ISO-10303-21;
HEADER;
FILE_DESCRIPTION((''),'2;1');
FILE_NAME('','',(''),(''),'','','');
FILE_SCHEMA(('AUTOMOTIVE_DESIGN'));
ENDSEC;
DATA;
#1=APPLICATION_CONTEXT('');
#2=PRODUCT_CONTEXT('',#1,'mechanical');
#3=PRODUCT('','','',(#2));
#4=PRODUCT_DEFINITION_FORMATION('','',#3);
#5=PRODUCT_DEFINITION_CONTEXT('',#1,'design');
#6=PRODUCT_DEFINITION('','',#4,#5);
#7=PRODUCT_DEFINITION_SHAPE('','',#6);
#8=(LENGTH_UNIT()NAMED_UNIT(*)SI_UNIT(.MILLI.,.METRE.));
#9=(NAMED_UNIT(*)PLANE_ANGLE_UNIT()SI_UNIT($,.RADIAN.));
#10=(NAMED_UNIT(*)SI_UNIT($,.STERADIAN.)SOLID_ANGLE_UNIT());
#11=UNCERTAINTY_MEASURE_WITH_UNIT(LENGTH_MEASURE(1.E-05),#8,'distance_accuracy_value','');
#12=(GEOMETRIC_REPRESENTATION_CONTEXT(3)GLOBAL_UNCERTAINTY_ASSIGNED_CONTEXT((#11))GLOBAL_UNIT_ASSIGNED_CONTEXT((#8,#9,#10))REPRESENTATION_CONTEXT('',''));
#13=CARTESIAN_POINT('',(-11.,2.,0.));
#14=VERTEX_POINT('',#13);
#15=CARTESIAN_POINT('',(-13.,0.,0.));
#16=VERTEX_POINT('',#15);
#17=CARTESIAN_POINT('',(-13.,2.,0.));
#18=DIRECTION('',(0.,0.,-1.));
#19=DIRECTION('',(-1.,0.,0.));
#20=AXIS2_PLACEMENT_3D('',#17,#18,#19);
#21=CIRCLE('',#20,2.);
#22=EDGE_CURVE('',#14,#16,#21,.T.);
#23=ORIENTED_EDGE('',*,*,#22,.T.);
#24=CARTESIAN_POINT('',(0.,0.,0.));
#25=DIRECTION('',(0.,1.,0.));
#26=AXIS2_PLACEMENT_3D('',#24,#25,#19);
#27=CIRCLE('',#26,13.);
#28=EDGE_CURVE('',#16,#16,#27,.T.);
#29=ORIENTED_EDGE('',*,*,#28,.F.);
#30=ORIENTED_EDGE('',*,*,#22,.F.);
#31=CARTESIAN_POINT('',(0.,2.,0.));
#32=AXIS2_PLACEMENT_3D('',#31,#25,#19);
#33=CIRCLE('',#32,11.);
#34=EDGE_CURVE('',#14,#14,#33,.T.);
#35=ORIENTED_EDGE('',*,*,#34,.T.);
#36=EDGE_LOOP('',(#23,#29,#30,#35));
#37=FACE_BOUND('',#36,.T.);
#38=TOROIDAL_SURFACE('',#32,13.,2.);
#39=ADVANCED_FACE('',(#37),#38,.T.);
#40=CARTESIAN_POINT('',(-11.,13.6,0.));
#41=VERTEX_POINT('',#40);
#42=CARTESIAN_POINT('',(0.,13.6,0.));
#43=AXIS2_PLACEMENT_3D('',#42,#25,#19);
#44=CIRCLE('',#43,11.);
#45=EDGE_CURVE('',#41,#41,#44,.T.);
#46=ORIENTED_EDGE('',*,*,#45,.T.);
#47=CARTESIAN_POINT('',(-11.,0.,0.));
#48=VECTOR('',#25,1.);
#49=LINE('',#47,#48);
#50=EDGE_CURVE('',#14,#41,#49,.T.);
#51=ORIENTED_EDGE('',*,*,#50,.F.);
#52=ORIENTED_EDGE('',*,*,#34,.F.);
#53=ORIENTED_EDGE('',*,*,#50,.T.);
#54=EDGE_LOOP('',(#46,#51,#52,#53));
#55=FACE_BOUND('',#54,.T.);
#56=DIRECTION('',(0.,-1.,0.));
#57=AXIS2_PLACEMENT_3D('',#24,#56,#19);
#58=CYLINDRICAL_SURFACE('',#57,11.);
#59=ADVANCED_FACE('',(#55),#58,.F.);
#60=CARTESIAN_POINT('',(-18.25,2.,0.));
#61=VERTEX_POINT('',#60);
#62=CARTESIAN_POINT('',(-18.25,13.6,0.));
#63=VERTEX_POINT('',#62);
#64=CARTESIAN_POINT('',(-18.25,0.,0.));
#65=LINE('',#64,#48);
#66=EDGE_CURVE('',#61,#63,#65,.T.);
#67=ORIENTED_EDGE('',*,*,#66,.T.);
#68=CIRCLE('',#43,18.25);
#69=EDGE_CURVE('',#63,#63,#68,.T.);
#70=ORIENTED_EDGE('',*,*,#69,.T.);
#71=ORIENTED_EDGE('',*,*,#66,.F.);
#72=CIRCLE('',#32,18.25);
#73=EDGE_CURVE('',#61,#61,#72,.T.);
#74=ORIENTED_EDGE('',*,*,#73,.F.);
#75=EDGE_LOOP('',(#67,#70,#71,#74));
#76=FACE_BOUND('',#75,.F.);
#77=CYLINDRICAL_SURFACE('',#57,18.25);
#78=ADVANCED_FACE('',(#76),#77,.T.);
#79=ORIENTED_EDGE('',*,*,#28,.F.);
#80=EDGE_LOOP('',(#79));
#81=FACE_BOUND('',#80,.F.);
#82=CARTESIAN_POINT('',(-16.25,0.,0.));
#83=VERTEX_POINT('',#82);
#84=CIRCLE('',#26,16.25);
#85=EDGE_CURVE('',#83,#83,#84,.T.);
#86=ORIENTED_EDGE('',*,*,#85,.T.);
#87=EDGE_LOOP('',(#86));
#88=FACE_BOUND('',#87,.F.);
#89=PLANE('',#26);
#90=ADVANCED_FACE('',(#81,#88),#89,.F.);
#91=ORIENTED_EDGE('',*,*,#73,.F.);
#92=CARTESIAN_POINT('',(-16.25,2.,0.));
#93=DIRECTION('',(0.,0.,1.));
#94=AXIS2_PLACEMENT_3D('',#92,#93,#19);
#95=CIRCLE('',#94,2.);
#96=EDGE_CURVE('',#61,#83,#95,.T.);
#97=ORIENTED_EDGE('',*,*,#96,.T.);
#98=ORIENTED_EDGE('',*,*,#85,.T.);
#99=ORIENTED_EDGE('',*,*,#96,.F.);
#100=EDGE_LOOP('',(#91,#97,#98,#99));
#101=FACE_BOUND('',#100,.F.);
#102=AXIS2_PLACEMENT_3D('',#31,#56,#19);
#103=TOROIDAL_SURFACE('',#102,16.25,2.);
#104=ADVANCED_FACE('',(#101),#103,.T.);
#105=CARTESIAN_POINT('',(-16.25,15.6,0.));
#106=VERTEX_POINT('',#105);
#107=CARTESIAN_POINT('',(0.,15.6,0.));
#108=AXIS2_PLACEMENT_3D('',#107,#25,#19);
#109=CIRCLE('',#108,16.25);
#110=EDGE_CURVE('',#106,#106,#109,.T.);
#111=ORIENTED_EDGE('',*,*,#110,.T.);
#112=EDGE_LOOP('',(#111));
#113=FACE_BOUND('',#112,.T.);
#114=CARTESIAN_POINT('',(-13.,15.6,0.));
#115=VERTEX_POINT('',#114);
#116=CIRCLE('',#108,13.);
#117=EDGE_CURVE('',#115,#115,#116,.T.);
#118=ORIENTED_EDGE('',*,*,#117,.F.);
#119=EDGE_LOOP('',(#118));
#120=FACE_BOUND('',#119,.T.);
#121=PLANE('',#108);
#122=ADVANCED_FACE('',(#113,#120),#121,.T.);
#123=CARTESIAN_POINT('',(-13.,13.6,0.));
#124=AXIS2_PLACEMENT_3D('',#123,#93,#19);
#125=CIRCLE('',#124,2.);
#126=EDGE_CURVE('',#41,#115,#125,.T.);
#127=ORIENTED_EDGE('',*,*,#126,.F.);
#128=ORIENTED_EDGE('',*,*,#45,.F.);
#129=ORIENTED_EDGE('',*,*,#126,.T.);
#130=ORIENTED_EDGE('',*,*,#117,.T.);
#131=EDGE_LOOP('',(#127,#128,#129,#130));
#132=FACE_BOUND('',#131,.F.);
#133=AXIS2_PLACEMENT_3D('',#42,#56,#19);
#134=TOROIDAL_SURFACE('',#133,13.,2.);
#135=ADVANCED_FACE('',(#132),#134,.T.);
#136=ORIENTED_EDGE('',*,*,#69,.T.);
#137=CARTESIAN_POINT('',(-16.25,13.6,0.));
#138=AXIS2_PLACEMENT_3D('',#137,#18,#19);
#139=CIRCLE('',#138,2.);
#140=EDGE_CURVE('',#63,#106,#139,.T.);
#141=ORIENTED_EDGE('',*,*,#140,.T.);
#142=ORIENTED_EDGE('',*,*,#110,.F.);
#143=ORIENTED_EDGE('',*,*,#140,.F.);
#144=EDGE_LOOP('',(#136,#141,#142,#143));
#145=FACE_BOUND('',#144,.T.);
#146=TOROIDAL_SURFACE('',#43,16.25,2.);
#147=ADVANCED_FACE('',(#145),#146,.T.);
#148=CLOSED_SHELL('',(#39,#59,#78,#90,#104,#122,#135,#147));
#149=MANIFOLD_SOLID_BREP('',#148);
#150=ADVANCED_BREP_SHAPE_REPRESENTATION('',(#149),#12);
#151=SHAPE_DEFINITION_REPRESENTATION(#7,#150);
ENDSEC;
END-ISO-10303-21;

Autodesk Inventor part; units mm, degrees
ref_plane "YZ Plane" through (0, 0, 0) normal (1, 0, 0) x (0, 1, 0)
ref_plane "XZ Plane" through (0, 0, 0) normal (0, 1, 0) x (-1, 0, 0)
ref_plane "XY Plane" through (0, 0, 0) normal (0, 0, 1) x (1, 0, 0)
sketch "Sketch1" plane through (0, 0, 0) normal (0, 1, 0) x (-1, 0, 0)
  circle A0 centre (0, 0) radius 11
  circle A1 centre (0, 0) radius 18.25
  dimension "d0" = 22
  dimension "d1" = 36.5
extrude "Extrusion1" add sketch "Sketch1" along normal blind 15.6
fillet "Fillet1" radius 2 4 edges at (11, 15.6, 0) (18.25, 15.6, 0) (18.25, 0, 0) (11, 0, 0)
properties part number "CT"
